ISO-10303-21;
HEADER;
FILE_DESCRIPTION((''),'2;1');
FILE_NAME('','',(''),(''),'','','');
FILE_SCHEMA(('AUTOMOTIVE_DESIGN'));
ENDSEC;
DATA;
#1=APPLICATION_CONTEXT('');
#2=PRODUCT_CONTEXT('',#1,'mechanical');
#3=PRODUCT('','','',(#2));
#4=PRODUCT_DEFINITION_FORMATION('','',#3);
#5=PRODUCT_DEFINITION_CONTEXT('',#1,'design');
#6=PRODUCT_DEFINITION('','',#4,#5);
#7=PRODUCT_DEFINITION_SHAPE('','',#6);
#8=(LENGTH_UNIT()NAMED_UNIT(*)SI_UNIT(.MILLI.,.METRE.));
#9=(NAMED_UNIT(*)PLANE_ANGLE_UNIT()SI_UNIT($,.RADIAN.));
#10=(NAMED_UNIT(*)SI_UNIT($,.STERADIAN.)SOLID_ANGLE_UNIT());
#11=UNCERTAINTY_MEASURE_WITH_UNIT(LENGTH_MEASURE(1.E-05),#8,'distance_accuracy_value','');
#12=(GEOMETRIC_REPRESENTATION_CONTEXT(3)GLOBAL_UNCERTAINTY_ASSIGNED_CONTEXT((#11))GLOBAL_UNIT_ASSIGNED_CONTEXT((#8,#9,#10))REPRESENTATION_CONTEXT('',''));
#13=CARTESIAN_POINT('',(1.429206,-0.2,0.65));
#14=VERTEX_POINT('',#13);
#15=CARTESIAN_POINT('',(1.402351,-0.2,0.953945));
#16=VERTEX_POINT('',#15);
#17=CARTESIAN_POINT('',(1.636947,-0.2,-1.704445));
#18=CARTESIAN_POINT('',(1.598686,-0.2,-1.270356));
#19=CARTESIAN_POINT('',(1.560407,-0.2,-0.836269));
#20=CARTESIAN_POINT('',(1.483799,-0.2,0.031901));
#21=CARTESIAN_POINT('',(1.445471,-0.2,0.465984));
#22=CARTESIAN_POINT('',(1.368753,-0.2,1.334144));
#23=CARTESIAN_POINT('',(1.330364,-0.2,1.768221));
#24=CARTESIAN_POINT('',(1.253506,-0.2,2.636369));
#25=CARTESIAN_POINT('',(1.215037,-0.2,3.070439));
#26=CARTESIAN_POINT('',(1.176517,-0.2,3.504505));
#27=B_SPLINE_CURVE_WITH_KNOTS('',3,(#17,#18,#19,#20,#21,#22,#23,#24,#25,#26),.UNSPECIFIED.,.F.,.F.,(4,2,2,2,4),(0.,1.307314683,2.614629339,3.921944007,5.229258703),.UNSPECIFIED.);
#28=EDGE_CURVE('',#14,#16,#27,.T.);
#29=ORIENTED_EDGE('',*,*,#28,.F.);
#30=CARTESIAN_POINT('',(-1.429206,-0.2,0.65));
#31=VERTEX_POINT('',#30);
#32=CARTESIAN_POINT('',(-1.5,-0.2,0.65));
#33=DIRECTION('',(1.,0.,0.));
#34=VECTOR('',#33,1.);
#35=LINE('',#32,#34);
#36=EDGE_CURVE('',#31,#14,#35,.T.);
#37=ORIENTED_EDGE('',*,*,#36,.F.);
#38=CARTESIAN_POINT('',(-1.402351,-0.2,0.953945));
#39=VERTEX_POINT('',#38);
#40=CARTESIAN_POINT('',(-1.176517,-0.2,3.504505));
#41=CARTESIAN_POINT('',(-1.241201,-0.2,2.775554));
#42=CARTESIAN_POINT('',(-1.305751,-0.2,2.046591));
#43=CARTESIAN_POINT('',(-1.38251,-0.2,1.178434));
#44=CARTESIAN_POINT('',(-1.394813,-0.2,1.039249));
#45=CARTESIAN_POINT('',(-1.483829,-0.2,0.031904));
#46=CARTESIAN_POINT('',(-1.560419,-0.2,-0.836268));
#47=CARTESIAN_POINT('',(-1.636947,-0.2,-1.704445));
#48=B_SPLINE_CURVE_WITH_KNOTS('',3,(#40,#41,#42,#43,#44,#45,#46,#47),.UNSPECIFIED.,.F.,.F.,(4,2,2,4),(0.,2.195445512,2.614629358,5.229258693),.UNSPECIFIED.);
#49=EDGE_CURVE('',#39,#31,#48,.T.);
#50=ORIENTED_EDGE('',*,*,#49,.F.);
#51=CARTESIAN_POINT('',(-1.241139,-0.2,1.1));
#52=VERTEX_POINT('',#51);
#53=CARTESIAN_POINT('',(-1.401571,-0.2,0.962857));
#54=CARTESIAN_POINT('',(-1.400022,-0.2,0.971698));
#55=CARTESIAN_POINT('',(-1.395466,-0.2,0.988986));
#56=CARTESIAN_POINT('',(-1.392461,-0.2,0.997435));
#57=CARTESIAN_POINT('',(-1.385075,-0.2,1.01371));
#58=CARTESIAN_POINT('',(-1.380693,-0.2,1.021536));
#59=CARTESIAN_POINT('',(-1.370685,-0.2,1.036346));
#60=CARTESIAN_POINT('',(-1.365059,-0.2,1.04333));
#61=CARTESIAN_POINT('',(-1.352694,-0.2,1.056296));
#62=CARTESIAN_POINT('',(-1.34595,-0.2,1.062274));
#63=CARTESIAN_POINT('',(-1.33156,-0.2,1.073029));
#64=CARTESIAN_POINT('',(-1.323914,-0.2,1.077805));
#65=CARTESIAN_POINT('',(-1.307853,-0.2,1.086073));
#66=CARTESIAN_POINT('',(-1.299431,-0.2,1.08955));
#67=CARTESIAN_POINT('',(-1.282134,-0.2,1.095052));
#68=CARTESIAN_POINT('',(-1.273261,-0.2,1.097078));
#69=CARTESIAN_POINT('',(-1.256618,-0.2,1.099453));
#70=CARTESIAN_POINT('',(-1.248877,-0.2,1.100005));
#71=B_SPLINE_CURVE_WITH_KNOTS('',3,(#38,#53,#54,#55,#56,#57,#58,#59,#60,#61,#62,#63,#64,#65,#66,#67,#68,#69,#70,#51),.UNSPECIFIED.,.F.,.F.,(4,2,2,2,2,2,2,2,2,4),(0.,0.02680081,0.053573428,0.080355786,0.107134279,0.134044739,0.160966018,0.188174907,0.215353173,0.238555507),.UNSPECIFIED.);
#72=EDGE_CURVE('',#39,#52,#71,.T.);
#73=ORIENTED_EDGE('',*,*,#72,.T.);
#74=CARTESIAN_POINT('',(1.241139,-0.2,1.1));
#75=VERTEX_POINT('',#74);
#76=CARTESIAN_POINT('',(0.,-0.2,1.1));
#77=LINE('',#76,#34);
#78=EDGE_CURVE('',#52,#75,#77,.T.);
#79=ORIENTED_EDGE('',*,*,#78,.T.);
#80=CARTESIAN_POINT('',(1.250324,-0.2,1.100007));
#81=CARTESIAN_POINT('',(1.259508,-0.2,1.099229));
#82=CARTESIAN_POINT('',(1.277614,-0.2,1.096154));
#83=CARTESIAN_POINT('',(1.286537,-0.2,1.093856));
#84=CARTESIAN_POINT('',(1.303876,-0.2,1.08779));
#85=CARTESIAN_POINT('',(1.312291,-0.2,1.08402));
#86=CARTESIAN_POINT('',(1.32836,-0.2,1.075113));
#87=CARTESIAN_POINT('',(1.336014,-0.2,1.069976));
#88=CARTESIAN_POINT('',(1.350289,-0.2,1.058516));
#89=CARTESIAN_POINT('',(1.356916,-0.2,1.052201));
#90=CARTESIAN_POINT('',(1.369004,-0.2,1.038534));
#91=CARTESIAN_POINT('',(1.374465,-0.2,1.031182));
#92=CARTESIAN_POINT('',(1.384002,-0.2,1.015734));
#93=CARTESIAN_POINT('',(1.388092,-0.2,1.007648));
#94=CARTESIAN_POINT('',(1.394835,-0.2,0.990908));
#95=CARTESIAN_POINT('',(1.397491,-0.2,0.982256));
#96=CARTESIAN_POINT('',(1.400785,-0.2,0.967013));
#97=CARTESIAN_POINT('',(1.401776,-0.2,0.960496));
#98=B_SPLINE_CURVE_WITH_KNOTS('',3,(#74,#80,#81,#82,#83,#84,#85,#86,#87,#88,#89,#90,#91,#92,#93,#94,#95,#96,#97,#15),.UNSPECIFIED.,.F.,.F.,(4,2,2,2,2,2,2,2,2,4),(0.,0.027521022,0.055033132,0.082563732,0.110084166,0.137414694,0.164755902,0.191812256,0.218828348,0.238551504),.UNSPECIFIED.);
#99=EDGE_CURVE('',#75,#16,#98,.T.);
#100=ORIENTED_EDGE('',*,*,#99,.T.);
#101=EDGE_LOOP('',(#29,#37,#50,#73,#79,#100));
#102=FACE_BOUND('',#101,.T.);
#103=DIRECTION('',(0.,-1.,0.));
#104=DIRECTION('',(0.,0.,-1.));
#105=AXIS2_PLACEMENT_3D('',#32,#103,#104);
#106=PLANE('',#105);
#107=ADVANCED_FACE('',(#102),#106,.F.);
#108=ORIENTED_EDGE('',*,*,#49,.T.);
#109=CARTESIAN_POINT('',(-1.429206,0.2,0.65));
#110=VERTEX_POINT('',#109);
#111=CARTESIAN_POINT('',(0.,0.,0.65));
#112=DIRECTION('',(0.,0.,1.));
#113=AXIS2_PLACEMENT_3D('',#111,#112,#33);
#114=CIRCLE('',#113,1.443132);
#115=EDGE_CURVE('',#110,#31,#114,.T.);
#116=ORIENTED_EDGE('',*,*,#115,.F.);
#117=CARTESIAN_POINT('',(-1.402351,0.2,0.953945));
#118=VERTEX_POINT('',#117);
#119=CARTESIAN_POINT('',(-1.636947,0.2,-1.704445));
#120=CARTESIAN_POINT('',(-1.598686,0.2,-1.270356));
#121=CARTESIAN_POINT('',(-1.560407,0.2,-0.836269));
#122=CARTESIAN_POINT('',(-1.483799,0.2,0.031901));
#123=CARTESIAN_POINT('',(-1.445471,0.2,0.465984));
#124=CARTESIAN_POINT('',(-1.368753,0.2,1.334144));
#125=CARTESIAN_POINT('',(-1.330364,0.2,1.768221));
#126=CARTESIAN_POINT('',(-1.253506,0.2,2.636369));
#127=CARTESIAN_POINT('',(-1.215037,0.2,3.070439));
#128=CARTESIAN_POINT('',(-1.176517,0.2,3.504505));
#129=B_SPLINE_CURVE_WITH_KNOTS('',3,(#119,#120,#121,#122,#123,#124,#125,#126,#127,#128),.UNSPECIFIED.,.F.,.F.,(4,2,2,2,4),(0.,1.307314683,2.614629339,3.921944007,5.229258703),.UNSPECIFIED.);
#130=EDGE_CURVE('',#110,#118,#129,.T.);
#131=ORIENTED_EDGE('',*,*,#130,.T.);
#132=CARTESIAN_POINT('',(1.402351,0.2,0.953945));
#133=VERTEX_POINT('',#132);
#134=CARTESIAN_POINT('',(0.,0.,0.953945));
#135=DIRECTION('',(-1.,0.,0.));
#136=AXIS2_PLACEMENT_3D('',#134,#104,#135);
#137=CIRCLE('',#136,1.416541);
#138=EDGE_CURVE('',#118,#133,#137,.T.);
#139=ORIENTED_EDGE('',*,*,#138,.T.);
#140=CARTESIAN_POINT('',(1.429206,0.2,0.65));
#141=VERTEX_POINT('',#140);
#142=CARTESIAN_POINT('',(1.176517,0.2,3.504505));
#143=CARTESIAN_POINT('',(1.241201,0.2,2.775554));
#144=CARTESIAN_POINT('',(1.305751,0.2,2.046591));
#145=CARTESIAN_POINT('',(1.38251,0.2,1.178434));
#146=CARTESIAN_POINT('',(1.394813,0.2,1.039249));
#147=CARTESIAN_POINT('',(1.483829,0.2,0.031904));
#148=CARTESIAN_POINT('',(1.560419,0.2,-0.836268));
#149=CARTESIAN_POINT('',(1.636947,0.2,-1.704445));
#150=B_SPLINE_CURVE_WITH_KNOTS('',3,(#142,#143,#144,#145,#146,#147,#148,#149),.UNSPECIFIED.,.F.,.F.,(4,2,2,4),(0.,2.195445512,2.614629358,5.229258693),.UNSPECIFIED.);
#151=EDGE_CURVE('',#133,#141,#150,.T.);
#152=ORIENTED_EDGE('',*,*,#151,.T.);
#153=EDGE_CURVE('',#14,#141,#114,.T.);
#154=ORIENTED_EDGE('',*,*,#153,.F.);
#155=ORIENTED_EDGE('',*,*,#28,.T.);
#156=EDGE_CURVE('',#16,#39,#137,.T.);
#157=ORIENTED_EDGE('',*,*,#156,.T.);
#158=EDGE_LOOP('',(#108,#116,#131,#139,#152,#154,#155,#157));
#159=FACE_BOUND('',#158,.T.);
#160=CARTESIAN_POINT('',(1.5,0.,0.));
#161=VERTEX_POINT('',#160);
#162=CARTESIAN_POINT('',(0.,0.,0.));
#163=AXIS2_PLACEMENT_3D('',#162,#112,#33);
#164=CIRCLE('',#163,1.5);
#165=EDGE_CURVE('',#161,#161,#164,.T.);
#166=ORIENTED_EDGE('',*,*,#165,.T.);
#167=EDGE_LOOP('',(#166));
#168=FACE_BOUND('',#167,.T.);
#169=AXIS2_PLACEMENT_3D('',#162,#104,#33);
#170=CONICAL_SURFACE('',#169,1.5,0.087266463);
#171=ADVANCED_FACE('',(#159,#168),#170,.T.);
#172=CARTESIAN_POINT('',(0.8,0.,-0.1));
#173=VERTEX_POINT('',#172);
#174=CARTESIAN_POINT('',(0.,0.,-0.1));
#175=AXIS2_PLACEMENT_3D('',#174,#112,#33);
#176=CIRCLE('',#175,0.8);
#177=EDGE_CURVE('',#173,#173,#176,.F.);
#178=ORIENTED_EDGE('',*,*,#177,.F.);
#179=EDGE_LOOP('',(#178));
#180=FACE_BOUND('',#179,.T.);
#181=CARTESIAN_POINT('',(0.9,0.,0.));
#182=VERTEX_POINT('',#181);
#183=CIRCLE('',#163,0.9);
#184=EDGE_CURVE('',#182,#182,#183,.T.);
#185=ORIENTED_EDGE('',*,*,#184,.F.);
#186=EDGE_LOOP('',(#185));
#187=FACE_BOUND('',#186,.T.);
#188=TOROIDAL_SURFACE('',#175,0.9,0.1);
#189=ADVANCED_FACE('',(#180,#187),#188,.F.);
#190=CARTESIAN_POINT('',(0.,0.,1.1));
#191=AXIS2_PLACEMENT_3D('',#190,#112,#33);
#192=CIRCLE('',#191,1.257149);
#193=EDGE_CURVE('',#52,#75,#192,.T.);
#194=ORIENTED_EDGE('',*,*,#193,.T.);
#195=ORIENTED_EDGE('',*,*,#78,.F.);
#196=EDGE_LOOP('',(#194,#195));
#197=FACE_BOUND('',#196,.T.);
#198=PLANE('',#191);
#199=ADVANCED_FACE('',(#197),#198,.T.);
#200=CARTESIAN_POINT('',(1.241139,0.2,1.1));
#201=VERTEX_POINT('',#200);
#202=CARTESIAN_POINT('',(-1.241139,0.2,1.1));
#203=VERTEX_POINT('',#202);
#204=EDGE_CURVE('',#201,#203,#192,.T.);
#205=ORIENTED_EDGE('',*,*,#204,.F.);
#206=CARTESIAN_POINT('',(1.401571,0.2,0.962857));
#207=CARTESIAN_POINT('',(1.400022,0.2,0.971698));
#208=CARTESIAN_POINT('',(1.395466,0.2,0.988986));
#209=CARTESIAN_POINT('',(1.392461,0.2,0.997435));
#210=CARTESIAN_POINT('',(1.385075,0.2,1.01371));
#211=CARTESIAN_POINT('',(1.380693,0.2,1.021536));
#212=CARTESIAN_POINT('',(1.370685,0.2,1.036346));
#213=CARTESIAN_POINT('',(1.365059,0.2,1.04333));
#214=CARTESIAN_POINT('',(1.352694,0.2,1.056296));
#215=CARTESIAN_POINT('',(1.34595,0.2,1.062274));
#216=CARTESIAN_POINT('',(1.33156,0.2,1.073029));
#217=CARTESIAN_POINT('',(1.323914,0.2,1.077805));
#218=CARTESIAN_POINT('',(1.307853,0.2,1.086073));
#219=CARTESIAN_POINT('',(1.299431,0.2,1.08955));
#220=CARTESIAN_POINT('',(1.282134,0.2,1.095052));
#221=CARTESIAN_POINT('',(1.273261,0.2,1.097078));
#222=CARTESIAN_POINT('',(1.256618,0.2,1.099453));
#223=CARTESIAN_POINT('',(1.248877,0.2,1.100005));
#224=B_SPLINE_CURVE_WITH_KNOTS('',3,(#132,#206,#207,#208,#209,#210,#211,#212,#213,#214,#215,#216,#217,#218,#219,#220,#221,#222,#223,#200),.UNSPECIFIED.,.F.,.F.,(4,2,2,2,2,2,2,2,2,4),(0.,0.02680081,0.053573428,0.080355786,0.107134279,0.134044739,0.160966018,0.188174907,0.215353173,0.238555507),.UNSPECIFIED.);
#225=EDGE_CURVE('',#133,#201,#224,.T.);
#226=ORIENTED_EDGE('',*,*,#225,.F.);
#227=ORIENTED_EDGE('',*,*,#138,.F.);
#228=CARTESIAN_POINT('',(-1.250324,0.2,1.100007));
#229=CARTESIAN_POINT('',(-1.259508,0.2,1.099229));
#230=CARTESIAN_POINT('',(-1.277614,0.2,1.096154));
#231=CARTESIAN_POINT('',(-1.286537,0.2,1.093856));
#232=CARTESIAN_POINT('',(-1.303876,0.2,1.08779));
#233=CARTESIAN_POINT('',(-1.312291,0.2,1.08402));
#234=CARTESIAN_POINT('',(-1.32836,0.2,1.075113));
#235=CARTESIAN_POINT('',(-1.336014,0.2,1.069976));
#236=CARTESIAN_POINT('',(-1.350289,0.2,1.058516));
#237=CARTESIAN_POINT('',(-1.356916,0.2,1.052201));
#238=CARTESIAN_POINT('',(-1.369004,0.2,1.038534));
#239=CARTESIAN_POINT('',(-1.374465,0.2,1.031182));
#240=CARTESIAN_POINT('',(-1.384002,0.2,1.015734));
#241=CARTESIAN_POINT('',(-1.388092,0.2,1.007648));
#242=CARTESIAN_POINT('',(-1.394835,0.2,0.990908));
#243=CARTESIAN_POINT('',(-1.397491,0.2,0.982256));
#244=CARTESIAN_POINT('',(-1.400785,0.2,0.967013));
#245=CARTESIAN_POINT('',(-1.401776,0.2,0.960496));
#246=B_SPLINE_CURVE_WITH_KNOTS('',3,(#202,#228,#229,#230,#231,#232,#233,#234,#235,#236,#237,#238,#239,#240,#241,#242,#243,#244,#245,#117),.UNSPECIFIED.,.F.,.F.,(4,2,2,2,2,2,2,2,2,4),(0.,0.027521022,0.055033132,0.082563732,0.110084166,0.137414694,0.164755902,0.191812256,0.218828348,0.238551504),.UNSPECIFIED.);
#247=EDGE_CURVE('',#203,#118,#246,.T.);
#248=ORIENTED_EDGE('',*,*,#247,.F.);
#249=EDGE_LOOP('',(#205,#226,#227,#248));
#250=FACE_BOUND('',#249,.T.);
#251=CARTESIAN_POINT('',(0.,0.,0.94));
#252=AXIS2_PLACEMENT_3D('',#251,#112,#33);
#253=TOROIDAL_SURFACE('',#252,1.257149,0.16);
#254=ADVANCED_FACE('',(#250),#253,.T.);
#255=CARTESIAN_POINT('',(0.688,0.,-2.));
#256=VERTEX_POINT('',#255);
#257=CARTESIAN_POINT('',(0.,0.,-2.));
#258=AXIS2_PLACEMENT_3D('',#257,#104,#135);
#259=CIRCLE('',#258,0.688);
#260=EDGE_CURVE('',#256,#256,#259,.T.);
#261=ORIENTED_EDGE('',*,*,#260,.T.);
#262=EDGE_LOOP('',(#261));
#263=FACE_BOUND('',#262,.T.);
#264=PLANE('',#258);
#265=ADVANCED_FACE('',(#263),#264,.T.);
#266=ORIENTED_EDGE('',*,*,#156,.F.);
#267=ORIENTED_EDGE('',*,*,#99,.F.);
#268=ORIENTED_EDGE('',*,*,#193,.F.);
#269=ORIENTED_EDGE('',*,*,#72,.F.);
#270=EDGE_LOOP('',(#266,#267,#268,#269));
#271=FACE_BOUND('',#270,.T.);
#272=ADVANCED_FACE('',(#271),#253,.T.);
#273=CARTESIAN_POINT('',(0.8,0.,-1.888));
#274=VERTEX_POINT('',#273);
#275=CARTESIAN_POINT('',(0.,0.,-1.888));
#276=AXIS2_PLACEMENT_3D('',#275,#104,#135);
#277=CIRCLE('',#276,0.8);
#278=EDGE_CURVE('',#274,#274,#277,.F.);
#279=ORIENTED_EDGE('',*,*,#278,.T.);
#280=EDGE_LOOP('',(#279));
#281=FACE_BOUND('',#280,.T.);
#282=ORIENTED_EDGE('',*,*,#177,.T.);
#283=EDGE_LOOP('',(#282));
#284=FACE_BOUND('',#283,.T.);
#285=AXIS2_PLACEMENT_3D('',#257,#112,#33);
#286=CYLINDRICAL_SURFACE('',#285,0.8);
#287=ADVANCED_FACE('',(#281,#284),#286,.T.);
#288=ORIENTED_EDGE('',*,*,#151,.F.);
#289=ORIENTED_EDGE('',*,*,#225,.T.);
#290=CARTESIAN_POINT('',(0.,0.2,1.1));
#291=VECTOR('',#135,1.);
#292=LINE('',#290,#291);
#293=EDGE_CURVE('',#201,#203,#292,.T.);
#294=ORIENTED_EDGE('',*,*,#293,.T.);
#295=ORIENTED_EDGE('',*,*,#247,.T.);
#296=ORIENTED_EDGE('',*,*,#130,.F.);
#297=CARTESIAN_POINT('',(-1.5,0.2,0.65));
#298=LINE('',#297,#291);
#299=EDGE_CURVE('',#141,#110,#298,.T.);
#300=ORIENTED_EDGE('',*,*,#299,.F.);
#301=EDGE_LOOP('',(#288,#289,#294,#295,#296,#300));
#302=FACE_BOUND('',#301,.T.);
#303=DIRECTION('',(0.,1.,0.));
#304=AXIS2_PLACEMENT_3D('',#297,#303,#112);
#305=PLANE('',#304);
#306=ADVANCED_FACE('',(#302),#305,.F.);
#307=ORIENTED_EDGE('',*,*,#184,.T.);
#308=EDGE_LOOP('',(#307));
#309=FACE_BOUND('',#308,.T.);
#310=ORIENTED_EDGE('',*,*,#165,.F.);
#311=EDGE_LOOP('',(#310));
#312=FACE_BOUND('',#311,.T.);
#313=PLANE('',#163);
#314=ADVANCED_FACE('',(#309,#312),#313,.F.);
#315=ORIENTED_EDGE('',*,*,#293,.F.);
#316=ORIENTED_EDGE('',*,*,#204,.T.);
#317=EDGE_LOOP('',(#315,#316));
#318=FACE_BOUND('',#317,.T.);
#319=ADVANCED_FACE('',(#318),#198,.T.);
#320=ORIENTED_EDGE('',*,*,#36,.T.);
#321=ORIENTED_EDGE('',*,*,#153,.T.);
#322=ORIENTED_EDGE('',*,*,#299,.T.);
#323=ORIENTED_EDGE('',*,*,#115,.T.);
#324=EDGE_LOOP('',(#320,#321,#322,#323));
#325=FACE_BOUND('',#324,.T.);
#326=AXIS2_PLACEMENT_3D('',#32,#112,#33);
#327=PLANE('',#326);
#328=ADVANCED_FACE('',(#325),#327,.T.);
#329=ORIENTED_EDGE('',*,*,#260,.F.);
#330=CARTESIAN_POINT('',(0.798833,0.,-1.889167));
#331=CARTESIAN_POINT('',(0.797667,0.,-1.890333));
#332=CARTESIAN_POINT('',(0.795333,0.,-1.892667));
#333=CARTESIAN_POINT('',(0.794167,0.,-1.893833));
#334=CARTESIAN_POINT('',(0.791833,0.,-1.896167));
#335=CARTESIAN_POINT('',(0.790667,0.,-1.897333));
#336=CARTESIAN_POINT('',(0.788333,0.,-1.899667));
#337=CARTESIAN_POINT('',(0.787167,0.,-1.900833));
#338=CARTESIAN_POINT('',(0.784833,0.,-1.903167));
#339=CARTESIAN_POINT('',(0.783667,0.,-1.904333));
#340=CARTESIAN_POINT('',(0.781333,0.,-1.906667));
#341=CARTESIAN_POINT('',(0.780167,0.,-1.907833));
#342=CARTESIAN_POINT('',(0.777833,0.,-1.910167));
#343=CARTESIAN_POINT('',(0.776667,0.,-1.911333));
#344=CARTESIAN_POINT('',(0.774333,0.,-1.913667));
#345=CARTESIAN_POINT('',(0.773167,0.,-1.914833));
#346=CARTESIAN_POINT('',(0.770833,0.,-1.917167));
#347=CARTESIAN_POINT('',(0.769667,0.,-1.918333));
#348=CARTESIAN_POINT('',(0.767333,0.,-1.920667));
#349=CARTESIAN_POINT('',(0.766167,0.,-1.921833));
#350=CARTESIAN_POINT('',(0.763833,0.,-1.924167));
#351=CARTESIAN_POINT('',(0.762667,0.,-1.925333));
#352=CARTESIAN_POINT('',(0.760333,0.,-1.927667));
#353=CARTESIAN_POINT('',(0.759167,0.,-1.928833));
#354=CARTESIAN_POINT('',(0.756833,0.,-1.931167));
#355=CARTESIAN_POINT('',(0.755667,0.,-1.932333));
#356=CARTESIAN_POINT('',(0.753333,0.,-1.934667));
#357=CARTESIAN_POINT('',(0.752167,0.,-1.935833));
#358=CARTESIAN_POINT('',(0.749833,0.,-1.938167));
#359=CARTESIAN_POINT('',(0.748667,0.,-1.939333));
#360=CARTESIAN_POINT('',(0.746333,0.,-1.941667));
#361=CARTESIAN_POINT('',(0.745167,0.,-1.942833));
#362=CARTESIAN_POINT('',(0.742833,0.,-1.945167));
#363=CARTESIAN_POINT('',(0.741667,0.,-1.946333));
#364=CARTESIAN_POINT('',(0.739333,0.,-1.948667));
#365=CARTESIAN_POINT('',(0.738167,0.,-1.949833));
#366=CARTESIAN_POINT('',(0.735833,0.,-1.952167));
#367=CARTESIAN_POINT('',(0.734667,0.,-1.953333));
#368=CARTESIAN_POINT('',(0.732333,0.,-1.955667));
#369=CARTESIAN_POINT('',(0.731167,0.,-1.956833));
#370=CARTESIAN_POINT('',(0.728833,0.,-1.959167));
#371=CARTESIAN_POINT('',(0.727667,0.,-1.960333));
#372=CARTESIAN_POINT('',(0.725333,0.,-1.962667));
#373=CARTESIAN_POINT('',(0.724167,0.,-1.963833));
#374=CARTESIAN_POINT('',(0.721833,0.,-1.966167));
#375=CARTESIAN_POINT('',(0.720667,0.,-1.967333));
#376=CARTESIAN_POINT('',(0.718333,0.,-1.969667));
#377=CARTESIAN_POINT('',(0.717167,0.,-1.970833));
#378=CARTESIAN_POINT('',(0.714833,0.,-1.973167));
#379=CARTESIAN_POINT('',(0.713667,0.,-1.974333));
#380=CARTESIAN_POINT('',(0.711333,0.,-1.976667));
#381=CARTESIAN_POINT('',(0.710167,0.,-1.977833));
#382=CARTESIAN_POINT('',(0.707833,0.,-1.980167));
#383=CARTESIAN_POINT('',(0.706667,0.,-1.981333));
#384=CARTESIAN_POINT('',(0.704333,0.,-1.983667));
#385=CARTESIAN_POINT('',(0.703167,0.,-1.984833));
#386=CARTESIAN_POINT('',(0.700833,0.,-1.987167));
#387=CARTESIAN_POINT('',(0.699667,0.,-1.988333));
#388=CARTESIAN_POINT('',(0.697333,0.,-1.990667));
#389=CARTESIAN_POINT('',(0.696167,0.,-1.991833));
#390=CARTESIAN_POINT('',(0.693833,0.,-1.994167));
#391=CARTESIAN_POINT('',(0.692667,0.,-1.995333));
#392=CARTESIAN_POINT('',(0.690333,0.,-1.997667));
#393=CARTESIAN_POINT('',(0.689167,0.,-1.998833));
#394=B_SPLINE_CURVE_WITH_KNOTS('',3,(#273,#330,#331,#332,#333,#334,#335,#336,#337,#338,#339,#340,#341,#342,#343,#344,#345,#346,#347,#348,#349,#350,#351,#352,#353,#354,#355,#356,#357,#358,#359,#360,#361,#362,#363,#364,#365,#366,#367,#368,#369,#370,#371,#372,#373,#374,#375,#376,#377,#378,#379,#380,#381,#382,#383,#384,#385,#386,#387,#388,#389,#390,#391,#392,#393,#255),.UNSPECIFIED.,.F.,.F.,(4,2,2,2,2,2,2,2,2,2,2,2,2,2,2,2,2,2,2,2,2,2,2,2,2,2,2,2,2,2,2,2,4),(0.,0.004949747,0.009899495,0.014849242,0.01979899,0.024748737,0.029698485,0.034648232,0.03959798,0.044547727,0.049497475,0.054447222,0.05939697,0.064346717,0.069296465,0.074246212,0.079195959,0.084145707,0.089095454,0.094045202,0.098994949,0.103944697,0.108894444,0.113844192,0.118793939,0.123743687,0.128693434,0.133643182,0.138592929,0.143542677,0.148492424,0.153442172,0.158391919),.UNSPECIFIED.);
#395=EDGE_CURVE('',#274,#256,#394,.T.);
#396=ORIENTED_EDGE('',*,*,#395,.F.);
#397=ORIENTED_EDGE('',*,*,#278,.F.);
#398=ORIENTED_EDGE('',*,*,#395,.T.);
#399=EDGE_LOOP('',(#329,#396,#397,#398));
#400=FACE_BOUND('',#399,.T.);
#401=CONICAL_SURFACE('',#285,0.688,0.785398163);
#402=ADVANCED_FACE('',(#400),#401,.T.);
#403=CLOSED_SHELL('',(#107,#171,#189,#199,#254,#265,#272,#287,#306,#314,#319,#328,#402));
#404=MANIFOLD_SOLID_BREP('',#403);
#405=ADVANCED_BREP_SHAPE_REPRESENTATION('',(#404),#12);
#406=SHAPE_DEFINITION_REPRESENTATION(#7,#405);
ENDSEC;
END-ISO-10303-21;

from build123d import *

# Parameters (mm, degrees)
SKICA1_R                 = 1.5
VYSUNOUT1_DEPTH          = 1.1
VYSUNOUT1_TAPER          = 5
SKICA2_W                 = 3
SKICA2_H                 = 0.4
ODEBRAT_VYSUNUT_M1_DEPTH = 0.45
SKICA3_R                 = 0.8
VYSUNOUT2_DEPTH          = 2
ZAOBLIT1_R               = 0.1
ZKOSIT1_SIZE             = 0.112
ZAOBLIT2_R               = 0.16


with BuildPart() as part:
    # Skica1 → Vysunout1 (new body)
    with BuildSketch(Plane.XY):
        Circle(SKICA1_R)
    extrude(amount=VYSUNOUT1_DEPTH, taper=VYSUNOUT1_TAPER)

    # Skica2 → Odebrat vysunutím1 (cut)
    with BuildSketch(Plane.XY.offset(1.1)):
        Rectangle(SKICA2_W, SKICA2_H)
    extrude(amount=-ODEBRAT_VYSUNUT_M1_DEPTH, mode=Mode.SUBTRACT)

    # Skica3 → Vysunout2 (add)
    with BuildSketch(Plane(origin=(0, 0, 0), x_dir=(-1, 0, 0), z_dir=(0, 0, -1))):
        with Locations(Location((0, 0, 0), (0, 0, 180))):
            Circle(SKICA3_R)
    extrude(amount=VYSUNOUT2_DEPTH)

    # Zaoblit1
    zaoblit1_edges = [part.edges().sort_by_distance(p)[0] for p in [
        (-0.8, 0, 0),
    ]]
    fillet(zaoblit1_edges, radius=ZAOBLIT1_R)

    # Zkosit1
    zkosit1_edges = [part.edges().sort_by_distance(p)[0] for p in [
        (-0.8, 0, -2),
    ]]
    chamfer(zkosit1_edges, length=ZKOSIT1_SIZE)

    # Zaoblit2
    zaoblit2_edges = [part.edges().sort_by_distance(p)[0] for p in [
        (0, 1.40376247, 1.1),
        (0, -1.40376247, 1.1),
    ]]
    fillet(zaoblit2_edges, radius=ZAOBLIT2_R)


solid = part.part
